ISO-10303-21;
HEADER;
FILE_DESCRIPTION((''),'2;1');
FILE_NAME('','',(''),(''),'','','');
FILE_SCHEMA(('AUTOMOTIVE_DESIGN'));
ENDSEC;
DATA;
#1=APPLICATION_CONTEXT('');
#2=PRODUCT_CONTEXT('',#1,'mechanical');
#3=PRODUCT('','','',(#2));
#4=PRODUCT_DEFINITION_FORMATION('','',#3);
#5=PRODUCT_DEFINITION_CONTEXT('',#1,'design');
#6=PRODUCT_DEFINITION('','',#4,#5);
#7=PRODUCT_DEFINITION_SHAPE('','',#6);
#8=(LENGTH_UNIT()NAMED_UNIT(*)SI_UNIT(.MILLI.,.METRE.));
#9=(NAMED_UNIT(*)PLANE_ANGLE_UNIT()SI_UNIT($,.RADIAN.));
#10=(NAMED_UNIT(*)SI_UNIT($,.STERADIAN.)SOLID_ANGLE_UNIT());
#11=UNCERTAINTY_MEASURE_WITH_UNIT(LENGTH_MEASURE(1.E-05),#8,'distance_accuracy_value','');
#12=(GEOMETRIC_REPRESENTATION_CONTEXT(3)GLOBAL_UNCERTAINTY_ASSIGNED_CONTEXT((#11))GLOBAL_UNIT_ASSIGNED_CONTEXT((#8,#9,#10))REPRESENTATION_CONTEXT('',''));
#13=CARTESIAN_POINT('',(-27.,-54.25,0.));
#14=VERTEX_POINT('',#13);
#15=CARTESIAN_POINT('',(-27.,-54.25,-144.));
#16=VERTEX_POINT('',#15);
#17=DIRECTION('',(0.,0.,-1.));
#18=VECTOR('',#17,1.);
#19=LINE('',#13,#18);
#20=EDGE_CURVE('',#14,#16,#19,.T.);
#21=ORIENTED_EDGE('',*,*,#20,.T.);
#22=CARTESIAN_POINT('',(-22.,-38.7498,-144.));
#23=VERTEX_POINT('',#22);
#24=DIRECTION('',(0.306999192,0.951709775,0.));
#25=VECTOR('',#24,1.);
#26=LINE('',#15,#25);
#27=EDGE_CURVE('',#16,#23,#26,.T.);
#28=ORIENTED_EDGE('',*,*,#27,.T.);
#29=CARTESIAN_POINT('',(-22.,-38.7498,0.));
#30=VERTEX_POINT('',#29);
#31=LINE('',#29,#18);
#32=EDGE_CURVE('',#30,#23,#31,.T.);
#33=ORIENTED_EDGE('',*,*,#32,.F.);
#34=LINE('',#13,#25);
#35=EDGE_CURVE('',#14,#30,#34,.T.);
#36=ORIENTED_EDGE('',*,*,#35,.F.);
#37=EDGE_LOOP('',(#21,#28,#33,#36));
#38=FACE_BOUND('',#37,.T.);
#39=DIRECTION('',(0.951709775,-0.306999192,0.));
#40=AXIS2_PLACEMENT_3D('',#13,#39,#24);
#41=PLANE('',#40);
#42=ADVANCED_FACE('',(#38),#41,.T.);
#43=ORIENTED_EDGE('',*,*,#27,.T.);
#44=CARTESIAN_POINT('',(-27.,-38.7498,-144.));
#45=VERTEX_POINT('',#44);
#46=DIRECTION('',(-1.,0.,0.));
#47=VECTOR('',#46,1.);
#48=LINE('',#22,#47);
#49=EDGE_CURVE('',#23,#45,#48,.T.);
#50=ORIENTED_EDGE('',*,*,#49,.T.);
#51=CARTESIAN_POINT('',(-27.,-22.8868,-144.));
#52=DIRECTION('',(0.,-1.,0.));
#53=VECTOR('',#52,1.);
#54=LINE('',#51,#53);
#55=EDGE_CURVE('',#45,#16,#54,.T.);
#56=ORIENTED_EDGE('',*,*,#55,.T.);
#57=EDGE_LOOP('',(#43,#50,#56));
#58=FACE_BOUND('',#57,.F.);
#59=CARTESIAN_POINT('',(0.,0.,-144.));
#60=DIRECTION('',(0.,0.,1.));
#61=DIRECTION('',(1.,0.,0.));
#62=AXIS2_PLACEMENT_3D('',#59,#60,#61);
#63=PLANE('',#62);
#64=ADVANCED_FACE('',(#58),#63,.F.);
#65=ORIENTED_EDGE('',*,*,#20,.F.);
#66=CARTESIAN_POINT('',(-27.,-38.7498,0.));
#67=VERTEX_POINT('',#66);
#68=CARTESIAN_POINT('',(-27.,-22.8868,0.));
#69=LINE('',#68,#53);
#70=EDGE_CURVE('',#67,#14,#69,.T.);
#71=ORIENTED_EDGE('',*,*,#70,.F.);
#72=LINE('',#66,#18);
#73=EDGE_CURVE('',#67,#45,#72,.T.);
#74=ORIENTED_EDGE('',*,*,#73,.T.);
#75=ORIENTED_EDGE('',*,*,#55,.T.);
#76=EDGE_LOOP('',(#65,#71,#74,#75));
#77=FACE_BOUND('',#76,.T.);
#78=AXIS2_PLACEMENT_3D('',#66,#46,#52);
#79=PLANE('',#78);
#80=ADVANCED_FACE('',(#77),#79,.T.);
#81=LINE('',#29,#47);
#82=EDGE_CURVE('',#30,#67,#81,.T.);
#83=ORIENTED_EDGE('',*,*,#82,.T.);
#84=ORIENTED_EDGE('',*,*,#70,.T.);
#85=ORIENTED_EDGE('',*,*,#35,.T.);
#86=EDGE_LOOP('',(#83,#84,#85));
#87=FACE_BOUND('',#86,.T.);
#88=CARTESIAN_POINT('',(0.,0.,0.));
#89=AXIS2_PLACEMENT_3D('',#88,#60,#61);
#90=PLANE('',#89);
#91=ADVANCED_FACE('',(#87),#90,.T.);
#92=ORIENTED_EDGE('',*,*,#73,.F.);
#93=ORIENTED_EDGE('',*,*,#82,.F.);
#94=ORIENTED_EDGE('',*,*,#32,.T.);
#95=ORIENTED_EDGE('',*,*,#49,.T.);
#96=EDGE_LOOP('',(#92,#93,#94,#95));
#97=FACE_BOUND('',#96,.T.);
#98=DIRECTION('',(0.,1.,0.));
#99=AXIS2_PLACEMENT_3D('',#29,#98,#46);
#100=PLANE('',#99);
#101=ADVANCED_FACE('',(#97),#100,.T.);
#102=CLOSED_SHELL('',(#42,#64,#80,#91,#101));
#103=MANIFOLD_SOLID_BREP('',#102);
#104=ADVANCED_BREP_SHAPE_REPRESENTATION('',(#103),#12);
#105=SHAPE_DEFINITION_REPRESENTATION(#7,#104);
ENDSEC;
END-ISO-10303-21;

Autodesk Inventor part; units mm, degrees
ref_plane "YZ Plane" through (0, 0, 0) normal (1, 0, 0) x (0, 1, 0)
ref_plane "XZ Plane" through (0, 0, 0) normal (0, 1, 0) x (-1, 0, 0)
ref_plane "XY Plane" through (0, 0, 0) normal (0, 0, 1) x (1, 0, 0)
sketch "Esboço1" plane through (0, 0, 0) normal (0, 0, 1) x (1, 0, 0)
  line L0 (2.5785, 54.25) -> (22.6, 54.25) projected
  arc A0 (30, 46.85) -> (22.6, 54.25) centre (22.6, 46.85) ccw projected
  line L1 (-4.9941, -1.6438) -> (-12.1764, -3.5683) projected
  line L2 (-27, -22.8868) -> (-27, -54.25) projected
  line L3 (-27, -54.25) -> (-30, -54.25) projected
  line L4 (-30, -54.25) -> (-30, 1.15) projected
  line L5 (-25, 6.15) -> (-14.8, 6.15) projected
  arc A1 (-14.8, 6.15) -> (-11.2, 9.75) centre (-14.8, 9.75) ccw projected
  line L6 (-11.2, 9.75) -> (-11.2, 44.0112) projected
  line L7 (-8.7623, 48.3048) -> (0.0162, 53.5436) projected
  circle A2 centre (22.6, 46.85) radius 0.8 projected
  line L8 (-22, -38.7498) -> (-27, -38.7498)
  line L9 (-27, -38.7498) -> (-27, -54.25)
  line L10 (-27, -54.25) -> (-22, -38.7498)
  arc A3 (-25, 6.15) -> (-30, 1.15) centre (-25, 1.15) ccw projected
  arc A4 (-8.7623, 48.3048) -> (-11.2, 44.0112) centre (-6.2, 44.0112) ccw projected
  arc A5 (2.5785, 54.25) -> (0.0162, 53.5436) centre (2.5785, 49.25) ccw projected
  arc A6 (-12.1764, -3.5683) -> (-27, -22.8868) centre (-7, -22.8868) ccw projected
  line L11 (30, -54.25) -> (19.6, -54.25) projected
  line L12 (19.6, -54.25) -> (19.6, -22.8868) projected
  arc A7 (19.6, -22.8868) -> (4.7764, -3.5683) centre (-0.4, -22.8868) ccw projected
  line L13 (4.7764, -3.5683) -> (-2.4059, -1.6438) projected
  arc A8 (-2.4059, -1.6438) -> (-4.9941, -1.6438) centre (-3.7, -6.4734) ccw projected
  line L14 (30, 46.85) -> (30, -54.25) projected
  point P0 (0, 0)
extrude "Extrusão1" add sketch "Esboço1" against normal blind 144 contours L2 L8 L10
properties part number "degrau"
